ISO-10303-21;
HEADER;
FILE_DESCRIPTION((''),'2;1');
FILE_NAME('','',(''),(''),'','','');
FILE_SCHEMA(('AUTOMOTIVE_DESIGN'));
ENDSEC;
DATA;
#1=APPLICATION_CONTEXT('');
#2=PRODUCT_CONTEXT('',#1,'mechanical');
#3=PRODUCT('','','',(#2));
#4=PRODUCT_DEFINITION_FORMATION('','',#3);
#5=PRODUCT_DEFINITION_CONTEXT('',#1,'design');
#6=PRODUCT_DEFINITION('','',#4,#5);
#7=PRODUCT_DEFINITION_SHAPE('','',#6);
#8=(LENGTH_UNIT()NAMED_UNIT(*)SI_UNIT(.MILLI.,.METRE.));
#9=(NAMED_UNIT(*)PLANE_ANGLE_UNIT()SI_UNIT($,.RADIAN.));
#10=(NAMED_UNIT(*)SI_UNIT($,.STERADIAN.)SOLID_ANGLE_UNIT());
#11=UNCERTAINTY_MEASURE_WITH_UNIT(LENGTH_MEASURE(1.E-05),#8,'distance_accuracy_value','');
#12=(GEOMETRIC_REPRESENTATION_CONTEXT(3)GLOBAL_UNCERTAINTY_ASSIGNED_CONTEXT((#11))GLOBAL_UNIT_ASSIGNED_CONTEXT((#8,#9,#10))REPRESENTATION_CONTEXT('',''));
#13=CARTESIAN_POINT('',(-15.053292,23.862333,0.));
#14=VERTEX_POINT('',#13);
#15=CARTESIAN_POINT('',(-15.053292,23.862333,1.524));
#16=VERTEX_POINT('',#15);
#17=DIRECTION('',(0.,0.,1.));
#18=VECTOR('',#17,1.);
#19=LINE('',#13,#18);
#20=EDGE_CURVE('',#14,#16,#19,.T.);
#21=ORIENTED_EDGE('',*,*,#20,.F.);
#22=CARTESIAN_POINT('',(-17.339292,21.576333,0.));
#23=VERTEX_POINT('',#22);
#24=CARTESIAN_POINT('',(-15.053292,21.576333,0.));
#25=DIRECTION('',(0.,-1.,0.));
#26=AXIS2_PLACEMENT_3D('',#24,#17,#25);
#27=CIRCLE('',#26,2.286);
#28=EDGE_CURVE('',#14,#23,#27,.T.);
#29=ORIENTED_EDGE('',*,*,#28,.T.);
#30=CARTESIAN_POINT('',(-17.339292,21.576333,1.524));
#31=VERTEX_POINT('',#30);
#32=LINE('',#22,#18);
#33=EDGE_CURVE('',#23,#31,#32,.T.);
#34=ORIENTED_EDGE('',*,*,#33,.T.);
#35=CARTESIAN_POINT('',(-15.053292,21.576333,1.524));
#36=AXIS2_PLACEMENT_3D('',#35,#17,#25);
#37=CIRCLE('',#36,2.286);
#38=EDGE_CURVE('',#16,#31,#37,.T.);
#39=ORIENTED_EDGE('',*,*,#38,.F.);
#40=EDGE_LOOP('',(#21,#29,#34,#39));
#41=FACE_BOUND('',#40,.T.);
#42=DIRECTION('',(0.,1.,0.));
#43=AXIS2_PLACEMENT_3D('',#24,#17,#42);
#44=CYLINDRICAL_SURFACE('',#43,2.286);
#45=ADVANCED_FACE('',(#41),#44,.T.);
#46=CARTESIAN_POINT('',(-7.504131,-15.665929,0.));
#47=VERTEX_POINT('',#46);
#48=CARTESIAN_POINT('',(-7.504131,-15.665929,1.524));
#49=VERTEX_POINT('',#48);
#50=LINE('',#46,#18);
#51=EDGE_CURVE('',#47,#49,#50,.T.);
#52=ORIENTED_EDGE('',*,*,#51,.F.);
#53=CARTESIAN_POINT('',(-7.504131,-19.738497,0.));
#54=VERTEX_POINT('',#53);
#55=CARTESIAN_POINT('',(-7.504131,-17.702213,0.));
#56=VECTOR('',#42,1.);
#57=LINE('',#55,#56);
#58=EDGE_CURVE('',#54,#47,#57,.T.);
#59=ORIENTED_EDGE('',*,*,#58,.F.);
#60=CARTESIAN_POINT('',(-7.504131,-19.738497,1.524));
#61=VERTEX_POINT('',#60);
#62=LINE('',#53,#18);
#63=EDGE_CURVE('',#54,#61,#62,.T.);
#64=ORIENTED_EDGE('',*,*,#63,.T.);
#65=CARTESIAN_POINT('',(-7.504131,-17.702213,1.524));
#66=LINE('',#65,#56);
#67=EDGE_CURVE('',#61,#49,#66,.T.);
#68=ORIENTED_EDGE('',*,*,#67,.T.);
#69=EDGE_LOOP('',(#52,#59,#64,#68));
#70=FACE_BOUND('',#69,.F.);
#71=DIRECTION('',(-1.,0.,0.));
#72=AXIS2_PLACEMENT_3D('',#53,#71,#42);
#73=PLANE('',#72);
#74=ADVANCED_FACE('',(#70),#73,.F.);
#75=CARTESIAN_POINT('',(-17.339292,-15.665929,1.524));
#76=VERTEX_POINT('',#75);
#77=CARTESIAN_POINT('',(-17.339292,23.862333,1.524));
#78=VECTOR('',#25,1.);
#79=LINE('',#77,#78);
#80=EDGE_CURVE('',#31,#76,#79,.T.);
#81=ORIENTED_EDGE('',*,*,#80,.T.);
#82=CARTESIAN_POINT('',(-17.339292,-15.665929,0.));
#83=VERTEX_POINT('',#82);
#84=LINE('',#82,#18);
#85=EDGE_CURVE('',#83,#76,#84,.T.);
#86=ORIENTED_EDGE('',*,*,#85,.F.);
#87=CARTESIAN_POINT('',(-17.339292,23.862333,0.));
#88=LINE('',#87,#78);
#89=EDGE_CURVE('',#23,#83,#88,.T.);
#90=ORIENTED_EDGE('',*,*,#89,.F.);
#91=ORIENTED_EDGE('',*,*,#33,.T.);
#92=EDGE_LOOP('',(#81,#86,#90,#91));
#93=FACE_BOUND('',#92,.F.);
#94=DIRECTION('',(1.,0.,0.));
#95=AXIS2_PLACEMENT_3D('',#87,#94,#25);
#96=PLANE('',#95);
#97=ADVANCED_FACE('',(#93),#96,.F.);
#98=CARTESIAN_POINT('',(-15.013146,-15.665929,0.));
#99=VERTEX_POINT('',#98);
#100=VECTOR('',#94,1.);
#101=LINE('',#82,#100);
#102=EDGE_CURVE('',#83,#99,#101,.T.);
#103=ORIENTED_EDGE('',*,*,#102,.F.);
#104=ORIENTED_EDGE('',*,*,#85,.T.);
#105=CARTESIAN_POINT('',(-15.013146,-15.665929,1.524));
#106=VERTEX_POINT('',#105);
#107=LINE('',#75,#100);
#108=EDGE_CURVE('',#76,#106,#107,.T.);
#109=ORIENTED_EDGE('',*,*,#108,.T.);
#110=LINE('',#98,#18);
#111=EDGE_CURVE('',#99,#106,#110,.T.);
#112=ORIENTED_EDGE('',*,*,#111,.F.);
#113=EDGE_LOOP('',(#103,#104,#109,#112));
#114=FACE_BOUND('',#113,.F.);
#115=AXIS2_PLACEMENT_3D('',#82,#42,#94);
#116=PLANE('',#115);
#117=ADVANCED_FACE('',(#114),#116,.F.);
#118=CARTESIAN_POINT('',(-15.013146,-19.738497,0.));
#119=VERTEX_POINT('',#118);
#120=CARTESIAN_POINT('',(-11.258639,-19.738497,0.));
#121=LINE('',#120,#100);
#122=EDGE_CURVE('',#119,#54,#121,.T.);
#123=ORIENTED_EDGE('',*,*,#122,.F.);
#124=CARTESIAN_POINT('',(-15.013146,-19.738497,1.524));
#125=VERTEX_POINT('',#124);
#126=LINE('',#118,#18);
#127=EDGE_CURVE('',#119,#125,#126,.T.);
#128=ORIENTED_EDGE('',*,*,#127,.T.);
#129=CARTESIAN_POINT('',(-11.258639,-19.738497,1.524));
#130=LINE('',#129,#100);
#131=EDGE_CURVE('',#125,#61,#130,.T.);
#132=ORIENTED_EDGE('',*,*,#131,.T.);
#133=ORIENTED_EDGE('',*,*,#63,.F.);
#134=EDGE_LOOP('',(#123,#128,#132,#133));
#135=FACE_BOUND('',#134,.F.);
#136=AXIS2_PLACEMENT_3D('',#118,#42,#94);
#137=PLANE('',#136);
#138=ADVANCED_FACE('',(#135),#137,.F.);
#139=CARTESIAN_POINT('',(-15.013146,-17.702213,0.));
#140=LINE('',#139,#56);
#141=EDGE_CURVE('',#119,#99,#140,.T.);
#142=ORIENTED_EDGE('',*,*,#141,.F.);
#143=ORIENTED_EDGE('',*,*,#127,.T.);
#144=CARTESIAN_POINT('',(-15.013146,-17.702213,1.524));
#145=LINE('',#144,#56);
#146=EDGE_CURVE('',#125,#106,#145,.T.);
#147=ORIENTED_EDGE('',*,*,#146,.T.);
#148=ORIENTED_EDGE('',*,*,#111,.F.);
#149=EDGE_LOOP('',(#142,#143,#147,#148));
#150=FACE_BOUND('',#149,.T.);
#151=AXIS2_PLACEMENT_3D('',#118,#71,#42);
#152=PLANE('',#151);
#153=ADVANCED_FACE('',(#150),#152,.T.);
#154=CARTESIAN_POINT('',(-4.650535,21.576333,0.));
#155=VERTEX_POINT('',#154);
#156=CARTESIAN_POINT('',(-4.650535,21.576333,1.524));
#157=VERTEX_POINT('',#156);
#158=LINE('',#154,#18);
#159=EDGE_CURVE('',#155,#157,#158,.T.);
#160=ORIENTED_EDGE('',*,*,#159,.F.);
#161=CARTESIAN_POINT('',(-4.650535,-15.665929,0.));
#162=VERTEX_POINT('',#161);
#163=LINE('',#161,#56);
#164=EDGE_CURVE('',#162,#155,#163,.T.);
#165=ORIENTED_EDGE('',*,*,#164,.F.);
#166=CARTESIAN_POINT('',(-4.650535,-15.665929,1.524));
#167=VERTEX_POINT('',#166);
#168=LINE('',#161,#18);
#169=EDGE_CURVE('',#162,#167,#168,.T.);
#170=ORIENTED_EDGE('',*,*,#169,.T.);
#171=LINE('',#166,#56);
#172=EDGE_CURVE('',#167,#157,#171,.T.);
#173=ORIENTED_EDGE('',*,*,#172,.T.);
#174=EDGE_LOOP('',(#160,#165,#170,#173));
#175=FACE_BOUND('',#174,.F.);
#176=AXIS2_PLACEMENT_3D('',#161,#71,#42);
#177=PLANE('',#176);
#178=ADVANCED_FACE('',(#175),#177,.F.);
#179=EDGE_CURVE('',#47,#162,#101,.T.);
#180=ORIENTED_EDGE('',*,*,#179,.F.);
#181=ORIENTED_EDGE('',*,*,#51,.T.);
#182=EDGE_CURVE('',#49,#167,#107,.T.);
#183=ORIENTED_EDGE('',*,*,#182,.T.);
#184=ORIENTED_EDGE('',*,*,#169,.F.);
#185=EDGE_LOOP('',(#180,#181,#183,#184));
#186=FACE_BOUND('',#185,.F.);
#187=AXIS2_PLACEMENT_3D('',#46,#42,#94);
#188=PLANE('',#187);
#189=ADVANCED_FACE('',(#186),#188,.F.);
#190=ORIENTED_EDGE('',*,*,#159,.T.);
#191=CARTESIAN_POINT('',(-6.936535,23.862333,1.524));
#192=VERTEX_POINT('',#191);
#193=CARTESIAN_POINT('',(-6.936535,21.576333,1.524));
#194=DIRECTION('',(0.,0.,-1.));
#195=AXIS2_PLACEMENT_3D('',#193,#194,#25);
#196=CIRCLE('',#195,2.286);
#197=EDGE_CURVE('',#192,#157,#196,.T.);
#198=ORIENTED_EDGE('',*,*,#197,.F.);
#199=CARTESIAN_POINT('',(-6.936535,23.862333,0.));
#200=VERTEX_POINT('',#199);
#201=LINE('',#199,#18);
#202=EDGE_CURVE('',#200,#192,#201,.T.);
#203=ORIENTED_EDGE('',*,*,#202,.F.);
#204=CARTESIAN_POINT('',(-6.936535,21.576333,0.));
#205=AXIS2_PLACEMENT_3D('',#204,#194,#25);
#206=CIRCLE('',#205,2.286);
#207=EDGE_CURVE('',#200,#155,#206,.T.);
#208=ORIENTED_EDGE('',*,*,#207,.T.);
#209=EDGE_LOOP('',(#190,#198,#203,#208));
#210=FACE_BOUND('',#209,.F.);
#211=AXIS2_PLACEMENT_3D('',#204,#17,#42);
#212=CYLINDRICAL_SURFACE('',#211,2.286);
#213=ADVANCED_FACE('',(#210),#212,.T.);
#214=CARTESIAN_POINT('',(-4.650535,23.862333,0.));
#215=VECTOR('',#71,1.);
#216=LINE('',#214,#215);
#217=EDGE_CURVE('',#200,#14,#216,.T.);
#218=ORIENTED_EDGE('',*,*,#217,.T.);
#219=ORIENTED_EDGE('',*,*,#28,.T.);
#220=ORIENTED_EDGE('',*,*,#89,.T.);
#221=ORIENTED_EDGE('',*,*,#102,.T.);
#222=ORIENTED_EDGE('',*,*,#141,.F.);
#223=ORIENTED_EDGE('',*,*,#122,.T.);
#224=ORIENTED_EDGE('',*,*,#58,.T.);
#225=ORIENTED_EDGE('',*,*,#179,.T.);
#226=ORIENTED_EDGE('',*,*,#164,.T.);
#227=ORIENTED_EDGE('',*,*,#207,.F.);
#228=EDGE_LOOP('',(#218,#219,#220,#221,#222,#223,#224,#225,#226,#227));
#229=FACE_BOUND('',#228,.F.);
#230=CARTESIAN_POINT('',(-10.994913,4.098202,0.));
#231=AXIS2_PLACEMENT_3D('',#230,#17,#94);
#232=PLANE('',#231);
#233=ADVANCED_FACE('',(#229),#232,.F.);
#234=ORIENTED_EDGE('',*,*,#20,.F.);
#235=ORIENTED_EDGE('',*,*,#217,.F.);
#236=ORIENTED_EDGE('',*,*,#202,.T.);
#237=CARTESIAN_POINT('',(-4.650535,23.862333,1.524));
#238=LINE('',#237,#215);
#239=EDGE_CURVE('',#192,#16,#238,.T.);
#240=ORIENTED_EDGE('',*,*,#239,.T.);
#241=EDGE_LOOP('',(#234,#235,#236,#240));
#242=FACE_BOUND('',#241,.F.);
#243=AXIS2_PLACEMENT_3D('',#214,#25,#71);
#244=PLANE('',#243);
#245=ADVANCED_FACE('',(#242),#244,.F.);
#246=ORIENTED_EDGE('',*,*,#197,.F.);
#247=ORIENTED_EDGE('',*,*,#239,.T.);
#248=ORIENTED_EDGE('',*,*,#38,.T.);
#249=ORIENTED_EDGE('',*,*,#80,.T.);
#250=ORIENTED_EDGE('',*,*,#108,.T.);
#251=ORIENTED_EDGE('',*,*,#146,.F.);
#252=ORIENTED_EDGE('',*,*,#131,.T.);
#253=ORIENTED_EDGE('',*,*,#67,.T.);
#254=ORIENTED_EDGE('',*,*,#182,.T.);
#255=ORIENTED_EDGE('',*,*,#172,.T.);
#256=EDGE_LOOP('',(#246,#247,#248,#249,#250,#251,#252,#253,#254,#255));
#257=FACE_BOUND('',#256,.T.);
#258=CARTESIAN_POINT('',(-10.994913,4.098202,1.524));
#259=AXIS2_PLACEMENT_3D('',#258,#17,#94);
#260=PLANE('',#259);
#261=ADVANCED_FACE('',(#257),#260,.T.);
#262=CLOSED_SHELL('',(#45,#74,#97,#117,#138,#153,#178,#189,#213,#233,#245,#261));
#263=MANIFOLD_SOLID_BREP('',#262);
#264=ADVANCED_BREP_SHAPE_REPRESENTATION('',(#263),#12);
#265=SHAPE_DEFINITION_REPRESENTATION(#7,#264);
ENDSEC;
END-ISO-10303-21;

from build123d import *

# Parameters (mm, degrees)
F0_W     = 7.509015
F0_H     = 4.072568
F1_DEPTH = 1.524
F2_R     = 2.286


with BuildPart() as f1:
    # F0 (on Top) → F1 (new body)
    with BuildSketch(Plane.XY):
        Polygon((-17.339292, 23.862333), (-17.339292, -15.665929), (-15.364731, -15.665929), (-15.013147, -15.665929), (-7.504132, -15.665929), (-6.548692, -15.665929), (-4.650535, -15.665929), (-4.650535, 23.862333), align=None)
        with Locations((-11.258639, -17.702213)):
            Rectangle(F0_W, F0_H)
    extrude(amount=F1_DEPTH)

    # F2
    f2_edges = [f1.edges().sort_by_distance(p)[0] for p in [
        (-4.650535, 23.862333, 0.762),
        (-17.339292, 23.862333, 0.762),
    ]]
    fillet(f2_edges, radius=F2_R)


solid = f1.part
